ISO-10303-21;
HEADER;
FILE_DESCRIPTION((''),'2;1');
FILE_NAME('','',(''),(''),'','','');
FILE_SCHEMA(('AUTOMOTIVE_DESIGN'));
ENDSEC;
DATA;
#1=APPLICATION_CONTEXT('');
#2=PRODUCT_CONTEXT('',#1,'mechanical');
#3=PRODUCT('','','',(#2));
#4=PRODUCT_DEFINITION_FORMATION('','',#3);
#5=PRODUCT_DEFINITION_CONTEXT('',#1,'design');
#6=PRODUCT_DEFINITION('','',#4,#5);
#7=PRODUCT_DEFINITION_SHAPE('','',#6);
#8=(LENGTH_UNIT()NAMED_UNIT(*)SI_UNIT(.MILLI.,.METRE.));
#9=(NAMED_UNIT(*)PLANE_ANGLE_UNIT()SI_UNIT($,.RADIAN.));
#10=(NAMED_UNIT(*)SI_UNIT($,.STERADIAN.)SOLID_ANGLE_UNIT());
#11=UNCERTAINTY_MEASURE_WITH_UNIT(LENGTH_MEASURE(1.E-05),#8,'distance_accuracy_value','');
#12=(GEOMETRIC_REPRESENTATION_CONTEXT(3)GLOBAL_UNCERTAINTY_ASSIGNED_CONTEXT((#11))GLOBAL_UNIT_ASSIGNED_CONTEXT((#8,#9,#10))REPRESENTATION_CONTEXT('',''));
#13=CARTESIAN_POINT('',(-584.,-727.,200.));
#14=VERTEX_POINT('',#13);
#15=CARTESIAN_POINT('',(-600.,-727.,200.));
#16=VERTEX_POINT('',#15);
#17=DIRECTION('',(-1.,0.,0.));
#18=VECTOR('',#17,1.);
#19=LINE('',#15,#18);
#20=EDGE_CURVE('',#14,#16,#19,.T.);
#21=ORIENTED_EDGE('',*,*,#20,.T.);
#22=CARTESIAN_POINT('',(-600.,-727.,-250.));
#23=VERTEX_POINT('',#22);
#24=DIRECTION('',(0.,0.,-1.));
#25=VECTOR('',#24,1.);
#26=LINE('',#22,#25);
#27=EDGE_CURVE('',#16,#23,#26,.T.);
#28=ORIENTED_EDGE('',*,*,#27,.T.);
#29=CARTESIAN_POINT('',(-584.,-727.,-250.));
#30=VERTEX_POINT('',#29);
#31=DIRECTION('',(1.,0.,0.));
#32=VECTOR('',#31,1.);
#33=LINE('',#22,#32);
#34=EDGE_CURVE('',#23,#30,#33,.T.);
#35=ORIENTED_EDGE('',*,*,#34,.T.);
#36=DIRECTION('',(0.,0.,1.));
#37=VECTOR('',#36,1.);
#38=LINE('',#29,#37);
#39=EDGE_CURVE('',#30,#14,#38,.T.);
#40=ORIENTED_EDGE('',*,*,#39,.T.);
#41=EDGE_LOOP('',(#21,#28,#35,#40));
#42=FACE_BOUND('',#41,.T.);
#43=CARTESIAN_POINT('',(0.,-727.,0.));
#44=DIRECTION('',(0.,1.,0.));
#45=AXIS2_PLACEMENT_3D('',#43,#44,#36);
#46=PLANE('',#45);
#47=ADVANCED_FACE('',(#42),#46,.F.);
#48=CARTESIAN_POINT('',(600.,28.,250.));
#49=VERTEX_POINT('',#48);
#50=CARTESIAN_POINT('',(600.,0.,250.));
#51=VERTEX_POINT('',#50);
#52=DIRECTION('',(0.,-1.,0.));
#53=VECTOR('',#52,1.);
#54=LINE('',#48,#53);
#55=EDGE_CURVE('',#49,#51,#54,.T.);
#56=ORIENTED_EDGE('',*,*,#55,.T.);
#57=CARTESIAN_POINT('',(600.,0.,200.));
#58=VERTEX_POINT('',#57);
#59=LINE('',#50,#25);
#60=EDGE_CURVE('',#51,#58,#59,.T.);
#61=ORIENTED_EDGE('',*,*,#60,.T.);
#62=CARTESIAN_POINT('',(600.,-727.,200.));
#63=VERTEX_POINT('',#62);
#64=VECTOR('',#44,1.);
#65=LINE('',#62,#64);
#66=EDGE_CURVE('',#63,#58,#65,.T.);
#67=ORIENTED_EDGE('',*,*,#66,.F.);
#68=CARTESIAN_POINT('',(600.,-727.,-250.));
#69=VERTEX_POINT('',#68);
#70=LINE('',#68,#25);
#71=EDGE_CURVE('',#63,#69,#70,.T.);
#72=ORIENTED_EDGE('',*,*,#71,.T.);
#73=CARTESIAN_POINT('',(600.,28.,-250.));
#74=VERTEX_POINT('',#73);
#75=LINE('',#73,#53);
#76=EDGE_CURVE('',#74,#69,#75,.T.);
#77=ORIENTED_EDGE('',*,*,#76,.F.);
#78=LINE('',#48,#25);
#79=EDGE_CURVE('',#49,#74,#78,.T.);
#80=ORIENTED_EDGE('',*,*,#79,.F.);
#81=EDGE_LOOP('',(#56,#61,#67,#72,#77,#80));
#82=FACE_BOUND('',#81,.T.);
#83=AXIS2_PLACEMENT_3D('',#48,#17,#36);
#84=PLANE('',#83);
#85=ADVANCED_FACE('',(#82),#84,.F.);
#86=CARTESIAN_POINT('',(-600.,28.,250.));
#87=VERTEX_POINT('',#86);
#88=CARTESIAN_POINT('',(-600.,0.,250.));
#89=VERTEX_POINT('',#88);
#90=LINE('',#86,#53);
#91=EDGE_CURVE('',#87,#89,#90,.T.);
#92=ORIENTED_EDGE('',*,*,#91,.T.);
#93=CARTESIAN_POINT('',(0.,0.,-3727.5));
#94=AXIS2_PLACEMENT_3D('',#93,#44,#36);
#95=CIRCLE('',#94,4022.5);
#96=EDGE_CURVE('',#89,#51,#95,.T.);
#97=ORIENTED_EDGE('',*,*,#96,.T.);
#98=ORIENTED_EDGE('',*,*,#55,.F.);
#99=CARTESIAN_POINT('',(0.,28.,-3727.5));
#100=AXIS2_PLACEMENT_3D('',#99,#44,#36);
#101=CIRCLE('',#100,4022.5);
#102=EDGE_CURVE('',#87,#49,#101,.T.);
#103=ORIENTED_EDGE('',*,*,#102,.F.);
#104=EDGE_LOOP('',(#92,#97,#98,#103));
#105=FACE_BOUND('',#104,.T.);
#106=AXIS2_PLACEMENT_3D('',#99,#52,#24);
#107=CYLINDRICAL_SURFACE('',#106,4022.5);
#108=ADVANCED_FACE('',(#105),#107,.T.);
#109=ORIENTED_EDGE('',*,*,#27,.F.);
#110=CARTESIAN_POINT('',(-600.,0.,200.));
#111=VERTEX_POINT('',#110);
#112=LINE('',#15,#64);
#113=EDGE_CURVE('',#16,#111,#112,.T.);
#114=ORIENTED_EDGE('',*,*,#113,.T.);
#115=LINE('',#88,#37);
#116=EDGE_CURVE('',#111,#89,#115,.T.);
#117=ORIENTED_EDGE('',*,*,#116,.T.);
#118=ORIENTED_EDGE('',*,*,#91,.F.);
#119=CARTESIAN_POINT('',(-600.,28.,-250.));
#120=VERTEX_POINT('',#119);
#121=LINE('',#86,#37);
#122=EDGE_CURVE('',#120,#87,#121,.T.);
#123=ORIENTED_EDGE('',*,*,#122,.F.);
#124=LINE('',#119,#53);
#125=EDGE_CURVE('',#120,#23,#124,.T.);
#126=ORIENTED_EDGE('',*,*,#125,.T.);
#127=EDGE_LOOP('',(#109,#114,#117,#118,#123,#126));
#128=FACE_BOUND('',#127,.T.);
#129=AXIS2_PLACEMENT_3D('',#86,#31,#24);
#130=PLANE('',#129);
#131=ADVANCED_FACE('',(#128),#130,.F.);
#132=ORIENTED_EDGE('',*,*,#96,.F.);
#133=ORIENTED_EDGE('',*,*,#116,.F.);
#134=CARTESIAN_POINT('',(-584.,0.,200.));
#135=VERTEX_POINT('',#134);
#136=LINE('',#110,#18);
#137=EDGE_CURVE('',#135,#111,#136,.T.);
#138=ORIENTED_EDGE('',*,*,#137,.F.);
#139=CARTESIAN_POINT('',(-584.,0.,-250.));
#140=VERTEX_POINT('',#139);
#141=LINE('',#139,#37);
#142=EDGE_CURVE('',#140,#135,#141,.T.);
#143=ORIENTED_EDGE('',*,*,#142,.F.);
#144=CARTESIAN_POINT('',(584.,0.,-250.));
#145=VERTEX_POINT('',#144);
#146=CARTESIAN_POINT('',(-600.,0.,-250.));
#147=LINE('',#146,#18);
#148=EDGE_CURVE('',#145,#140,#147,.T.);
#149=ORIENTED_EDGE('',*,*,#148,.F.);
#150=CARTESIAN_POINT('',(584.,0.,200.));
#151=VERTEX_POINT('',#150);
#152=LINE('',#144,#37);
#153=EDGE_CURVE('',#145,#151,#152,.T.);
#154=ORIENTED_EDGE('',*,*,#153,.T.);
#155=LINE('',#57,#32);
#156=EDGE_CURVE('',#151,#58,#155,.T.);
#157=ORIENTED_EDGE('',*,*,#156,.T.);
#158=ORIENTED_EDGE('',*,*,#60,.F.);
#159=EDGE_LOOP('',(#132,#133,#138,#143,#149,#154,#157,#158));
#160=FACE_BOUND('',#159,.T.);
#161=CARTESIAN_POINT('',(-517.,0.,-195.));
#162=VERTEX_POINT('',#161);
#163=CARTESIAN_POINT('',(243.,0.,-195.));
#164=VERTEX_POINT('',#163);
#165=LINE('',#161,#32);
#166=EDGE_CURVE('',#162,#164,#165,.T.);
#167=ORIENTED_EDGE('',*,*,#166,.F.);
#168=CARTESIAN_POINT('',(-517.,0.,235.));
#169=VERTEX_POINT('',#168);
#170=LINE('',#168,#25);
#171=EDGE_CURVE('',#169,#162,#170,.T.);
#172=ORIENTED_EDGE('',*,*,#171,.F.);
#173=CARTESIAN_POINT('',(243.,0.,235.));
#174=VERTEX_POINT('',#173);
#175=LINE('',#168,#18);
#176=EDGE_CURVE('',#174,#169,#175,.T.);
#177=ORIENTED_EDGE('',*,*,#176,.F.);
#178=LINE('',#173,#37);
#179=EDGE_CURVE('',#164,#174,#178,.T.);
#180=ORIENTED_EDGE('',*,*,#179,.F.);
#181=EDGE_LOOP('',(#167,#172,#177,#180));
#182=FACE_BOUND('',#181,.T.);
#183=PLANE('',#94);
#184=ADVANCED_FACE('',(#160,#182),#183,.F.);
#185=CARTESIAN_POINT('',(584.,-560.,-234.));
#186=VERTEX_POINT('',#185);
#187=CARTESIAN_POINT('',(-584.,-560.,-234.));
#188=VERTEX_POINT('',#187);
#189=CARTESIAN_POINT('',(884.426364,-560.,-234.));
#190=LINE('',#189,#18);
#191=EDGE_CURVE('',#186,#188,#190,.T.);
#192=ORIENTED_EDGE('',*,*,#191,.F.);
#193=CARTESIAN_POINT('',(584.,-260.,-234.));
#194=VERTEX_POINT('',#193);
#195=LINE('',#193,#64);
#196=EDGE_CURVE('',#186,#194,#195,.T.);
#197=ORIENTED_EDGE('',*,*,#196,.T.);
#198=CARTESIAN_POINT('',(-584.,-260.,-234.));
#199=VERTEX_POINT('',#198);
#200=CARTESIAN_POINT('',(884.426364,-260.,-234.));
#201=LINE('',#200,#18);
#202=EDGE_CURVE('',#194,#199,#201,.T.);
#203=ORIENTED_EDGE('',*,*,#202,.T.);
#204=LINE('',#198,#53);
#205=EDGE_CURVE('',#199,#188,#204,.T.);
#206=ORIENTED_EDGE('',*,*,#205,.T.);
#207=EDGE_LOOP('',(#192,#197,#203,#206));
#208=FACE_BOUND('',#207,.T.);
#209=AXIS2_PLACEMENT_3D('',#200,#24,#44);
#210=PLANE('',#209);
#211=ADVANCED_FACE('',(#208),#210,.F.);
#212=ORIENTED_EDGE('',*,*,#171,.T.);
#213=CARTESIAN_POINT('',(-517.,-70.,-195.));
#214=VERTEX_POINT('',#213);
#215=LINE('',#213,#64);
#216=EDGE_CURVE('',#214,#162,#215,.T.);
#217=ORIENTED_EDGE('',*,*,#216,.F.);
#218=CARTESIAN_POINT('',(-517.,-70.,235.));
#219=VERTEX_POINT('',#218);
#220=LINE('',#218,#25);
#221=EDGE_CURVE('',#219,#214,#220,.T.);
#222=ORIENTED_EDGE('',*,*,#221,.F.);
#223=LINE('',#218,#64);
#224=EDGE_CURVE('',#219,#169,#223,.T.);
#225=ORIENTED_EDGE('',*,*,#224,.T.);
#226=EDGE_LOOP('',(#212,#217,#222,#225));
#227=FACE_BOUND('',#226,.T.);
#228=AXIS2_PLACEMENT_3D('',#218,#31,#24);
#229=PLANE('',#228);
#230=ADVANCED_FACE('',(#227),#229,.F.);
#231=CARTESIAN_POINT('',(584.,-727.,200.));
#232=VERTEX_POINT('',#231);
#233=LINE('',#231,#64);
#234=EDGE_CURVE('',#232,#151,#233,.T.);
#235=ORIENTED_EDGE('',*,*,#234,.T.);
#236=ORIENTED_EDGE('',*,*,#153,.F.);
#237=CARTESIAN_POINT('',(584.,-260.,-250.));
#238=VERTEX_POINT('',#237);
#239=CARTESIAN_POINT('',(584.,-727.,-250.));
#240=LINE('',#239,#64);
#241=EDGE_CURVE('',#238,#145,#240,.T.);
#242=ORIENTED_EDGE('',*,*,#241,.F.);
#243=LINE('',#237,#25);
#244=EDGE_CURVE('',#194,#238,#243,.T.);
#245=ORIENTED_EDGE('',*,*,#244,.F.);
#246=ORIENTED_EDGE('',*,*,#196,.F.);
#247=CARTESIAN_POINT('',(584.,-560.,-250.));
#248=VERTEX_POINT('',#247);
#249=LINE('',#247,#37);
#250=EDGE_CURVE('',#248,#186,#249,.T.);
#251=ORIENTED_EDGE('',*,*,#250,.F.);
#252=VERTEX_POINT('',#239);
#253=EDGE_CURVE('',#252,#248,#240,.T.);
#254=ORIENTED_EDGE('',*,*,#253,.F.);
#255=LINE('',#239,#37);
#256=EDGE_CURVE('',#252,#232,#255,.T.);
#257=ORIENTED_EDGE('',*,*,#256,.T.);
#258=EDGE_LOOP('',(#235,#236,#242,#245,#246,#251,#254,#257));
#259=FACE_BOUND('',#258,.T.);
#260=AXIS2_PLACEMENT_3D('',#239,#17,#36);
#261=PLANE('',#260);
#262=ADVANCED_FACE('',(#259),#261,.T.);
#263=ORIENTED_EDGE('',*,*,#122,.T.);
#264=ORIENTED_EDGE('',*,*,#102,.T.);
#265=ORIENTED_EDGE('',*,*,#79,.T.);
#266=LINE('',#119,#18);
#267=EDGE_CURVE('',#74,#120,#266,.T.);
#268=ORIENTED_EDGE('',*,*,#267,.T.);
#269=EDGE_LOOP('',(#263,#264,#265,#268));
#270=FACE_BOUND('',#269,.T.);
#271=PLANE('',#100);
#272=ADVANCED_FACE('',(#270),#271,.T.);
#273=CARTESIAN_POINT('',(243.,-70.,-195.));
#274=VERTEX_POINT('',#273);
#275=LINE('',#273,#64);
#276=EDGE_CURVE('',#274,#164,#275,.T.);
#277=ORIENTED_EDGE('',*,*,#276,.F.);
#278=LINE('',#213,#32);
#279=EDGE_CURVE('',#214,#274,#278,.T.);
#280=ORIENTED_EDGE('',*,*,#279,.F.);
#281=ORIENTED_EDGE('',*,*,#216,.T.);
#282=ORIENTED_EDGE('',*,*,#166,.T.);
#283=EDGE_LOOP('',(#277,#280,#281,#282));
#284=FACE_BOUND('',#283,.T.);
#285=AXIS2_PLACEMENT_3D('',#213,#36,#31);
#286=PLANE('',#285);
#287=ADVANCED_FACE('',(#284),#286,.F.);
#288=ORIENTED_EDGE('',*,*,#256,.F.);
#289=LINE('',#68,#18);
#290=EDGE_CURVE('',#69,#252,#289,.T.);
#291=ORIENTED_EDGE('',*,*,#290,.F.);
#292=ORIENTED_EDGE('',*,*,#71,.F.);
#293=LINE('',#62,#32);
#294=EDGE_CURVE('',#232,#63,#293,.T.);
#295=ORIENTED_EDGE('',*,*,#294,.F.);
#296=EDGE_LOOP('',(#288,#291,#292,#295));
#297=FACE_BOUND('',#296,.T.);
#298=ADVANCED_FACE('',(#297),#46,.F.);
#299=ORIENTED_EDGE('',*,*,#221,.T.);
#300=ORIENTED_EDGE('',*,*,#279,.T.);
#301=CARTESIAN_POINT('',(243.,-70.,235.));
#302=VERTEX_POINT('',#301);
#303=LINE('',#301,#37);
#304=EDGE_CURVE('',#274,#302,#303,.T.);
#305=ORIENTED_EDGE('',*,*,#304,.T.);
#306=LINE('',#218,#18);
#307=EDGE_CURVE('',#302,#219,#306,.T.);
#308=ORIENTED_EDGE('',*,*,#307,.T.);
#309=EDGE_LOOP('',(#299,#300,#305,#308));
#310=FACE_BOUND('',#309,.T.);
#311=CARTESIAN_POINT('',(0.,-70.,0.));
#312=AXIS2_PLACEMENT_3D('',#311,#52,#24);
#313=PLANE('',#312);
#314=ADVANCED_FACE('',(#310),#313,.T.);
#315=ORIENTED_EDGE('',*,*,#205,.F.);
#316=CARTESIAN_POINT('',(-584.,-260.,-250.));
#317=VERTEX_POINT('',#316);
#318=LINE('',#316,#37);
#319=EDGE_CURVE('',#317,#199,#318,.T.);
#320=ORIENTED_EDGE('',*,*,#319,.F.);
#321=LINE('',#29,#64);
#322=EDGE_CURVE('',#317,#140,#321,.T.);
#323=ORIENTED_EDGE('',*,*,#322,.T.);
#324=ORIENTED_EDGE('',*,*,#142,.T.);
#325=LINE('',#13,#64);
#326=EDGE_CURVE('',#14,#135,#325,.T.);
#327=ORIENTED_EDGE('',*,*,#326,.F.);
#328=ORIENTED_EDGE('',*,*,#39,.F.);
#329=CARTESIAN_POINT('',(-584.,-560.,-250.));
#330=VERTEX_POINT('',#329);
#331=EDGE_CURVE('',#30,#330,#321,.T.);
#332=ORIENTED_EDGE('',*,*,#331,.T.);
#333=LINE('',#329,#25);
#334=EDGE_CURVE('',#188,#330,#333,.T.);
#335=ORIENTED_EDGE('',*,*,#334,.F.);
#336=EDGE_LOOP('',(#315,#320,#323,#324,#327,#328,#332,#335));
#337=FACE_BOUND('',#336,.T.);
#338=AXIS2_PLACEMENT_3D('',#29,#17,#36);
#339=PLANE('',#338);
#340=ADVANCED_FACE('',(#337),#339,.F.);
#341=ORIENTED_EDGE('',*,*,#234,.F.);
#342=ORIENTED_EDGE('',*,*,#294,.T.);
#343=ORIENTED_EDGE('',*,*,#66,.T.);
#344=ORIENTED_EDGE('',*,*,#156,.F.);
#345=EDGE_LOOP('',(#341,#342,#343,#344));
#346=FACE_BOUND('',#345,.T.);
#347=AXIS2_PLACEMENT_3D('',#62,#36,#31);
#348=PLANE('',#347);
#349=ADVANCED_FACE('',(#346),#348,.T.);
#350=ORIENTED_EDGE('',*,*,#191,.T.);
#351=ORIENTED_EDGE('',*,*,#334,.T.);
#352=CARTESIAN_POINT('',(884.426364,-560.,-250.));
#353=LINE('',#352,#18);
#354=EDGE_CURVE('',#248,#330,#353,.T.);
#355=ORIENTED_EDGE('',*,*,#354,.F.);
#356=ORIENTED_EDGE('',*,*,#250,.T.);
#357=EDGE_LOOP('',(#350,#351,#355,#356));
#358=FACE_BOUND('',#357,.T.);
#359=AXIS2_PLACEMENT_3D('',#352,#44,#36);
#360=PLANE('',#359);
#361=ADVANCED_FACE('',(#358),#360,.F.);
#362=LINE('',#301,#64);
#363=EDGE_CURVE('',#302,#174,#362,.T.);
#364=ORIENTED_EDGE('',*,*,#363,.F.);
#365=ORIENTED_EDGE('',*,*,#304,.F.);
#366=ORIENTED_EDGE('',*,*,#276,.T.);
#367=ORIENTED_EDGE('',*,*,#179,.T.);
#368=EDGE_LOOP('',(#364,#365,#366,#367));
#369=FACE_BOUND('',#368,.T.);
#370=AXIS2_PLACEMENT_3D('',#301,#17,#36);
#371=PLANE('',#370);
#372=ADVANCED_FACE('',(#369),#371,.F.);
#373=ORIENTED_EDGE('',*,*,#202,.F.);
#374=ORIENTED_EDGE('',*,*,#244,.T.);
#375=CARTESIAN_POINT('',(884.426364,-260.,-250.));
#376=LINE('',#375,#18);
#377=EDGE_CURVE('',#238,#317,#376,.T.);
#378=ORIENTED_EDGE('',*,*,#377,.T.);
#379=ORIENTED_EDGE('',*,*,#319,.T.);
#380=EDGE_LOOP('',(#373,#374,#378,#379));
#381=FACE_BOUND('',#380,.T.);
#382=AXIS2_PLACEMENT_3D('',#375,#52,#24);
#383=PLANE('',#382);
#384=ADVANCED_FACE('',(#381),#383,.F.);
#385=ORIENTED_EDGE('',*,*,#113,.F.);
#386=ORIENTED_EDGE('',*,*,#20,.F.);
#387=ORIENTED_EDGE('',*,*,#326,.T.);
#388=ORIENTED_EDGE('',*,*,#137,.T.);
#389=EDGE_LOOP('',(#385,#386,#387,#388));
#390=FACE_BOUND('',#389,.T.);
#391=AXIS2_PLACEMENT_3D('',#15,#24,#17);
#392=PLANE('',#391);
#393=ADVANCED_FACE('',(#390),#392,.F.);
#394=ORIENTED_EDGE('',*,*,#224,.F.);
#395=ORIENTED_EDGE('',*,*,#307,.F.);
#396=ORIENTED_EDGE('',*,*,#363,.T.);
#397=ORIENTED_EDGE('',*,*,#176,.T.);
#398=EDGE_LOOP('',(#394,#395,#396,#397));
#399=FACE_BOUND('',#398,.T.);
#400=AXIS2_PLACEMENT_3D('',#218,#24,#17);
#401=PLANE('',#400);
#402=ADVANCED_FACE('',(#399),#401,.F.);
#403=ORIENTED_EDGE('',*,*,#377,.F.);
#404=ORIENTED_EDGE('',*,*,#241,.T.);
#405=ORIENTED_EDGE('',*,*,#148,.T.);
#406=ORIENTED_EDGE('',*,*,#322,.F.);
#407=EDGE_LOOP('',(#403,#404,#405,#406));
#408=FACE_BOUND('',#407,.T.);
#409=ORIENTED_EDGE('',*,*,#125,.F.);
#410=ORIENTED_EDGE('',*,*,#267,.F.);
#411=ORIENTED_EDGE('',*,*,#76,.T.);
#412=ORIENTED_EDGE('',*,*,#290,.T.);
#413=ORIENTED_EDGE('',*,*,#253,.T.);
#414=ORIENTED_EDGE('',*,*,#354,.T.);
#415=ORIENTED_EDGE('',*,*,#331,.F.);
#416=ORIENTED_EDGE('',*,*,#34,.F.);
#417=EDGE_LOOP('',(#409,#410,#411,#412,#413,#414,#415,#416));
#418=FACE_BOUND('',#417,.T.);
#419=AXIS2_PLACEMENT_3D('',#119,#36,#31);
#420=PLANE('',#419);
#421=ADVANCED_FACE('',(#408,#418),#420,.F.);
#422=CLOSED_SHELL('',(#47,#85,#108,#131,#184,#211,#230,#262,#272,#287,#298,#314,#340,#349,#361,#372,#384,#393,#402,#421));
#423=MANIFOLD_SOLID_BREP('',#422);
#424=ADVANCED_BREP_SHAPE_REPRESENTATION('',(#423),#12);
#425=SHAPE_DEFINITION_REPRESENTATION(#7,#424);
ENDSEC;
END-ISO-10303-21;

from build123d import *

# Parameters (mm, degrees)
BOSS_EXTRUDE1_DEPTH = 28
SKETCH2_W           = 16
SKETCH2_H           = 450
BOSS_EXTRUDE2_DEPTH = 727
SKETCH3_W           = 16
SKETCH3_H           = 300
BOSS_EXTRUDE3_DEPTH = 1168
SKETCH4_W           = 760
SKETCH4_H           = 430
BOSS_EXTRUDE4_DEPTH = 70


with BuildPart() as part:
    # Sketch1 → Boss-Extrude1 (new body)
    with BuildSketch(Plane(origin=(0, 0, 0), x_dir=(1, 0, 0), z_dir=(0, 1, 0))):
        with BuildLine():
            Line((-600, -250), (-600, 250))
            Line((-600, 250), (600, 250))
            Line((600, 250), (600, -250))
            ThreePointArc((600, -250), (0, -295), (-600, -250))
        make_face()
    extrude(amount=BOSS_EXTRUDE1_DEPTH)

    # Sketch2 → Boss-Extrude2 (add)
    with BuildSketch(Plane.XZ):
        with Locations((-592, -25)):
            Rectangle(SKETCH2_W, SKETCH2_H)
    boss_extrude2 = extrude(amount=BOSS_EXTRUDE2_DEPTH)

    # Mirror1: Boss-Extrude2 across plane
    add(boss_extrude2.mirror(Plane(origin=(0, 0, 0), x_dir=(0, 0, 1), z_dir=(1, 0, 0))))

    # Sketch3 → Boss-Extrude3 (add)
    with BuildSketch(Plane(origin=(-584, 0, 0), x_dir=(0, 0, -1), z_dir=(1, 0, 0))):
        with Locations((242, -410)):
            Rectangle(SKETCH3_W, SKETCH3_H)
    extrude(amount=BOSS_EXTRUDE3_DEPTH)

    # Sketch4 → Boss-Extrude4 (add)
    with BuildSketch(Plane.XZ):
        with Locations((-137, 20)):
            Rectangle(SKETCH4_W, SKETCH4_H)
    extrude(amount=BOSS_EXTRUDE4_DEPTH)


solid = part.part
